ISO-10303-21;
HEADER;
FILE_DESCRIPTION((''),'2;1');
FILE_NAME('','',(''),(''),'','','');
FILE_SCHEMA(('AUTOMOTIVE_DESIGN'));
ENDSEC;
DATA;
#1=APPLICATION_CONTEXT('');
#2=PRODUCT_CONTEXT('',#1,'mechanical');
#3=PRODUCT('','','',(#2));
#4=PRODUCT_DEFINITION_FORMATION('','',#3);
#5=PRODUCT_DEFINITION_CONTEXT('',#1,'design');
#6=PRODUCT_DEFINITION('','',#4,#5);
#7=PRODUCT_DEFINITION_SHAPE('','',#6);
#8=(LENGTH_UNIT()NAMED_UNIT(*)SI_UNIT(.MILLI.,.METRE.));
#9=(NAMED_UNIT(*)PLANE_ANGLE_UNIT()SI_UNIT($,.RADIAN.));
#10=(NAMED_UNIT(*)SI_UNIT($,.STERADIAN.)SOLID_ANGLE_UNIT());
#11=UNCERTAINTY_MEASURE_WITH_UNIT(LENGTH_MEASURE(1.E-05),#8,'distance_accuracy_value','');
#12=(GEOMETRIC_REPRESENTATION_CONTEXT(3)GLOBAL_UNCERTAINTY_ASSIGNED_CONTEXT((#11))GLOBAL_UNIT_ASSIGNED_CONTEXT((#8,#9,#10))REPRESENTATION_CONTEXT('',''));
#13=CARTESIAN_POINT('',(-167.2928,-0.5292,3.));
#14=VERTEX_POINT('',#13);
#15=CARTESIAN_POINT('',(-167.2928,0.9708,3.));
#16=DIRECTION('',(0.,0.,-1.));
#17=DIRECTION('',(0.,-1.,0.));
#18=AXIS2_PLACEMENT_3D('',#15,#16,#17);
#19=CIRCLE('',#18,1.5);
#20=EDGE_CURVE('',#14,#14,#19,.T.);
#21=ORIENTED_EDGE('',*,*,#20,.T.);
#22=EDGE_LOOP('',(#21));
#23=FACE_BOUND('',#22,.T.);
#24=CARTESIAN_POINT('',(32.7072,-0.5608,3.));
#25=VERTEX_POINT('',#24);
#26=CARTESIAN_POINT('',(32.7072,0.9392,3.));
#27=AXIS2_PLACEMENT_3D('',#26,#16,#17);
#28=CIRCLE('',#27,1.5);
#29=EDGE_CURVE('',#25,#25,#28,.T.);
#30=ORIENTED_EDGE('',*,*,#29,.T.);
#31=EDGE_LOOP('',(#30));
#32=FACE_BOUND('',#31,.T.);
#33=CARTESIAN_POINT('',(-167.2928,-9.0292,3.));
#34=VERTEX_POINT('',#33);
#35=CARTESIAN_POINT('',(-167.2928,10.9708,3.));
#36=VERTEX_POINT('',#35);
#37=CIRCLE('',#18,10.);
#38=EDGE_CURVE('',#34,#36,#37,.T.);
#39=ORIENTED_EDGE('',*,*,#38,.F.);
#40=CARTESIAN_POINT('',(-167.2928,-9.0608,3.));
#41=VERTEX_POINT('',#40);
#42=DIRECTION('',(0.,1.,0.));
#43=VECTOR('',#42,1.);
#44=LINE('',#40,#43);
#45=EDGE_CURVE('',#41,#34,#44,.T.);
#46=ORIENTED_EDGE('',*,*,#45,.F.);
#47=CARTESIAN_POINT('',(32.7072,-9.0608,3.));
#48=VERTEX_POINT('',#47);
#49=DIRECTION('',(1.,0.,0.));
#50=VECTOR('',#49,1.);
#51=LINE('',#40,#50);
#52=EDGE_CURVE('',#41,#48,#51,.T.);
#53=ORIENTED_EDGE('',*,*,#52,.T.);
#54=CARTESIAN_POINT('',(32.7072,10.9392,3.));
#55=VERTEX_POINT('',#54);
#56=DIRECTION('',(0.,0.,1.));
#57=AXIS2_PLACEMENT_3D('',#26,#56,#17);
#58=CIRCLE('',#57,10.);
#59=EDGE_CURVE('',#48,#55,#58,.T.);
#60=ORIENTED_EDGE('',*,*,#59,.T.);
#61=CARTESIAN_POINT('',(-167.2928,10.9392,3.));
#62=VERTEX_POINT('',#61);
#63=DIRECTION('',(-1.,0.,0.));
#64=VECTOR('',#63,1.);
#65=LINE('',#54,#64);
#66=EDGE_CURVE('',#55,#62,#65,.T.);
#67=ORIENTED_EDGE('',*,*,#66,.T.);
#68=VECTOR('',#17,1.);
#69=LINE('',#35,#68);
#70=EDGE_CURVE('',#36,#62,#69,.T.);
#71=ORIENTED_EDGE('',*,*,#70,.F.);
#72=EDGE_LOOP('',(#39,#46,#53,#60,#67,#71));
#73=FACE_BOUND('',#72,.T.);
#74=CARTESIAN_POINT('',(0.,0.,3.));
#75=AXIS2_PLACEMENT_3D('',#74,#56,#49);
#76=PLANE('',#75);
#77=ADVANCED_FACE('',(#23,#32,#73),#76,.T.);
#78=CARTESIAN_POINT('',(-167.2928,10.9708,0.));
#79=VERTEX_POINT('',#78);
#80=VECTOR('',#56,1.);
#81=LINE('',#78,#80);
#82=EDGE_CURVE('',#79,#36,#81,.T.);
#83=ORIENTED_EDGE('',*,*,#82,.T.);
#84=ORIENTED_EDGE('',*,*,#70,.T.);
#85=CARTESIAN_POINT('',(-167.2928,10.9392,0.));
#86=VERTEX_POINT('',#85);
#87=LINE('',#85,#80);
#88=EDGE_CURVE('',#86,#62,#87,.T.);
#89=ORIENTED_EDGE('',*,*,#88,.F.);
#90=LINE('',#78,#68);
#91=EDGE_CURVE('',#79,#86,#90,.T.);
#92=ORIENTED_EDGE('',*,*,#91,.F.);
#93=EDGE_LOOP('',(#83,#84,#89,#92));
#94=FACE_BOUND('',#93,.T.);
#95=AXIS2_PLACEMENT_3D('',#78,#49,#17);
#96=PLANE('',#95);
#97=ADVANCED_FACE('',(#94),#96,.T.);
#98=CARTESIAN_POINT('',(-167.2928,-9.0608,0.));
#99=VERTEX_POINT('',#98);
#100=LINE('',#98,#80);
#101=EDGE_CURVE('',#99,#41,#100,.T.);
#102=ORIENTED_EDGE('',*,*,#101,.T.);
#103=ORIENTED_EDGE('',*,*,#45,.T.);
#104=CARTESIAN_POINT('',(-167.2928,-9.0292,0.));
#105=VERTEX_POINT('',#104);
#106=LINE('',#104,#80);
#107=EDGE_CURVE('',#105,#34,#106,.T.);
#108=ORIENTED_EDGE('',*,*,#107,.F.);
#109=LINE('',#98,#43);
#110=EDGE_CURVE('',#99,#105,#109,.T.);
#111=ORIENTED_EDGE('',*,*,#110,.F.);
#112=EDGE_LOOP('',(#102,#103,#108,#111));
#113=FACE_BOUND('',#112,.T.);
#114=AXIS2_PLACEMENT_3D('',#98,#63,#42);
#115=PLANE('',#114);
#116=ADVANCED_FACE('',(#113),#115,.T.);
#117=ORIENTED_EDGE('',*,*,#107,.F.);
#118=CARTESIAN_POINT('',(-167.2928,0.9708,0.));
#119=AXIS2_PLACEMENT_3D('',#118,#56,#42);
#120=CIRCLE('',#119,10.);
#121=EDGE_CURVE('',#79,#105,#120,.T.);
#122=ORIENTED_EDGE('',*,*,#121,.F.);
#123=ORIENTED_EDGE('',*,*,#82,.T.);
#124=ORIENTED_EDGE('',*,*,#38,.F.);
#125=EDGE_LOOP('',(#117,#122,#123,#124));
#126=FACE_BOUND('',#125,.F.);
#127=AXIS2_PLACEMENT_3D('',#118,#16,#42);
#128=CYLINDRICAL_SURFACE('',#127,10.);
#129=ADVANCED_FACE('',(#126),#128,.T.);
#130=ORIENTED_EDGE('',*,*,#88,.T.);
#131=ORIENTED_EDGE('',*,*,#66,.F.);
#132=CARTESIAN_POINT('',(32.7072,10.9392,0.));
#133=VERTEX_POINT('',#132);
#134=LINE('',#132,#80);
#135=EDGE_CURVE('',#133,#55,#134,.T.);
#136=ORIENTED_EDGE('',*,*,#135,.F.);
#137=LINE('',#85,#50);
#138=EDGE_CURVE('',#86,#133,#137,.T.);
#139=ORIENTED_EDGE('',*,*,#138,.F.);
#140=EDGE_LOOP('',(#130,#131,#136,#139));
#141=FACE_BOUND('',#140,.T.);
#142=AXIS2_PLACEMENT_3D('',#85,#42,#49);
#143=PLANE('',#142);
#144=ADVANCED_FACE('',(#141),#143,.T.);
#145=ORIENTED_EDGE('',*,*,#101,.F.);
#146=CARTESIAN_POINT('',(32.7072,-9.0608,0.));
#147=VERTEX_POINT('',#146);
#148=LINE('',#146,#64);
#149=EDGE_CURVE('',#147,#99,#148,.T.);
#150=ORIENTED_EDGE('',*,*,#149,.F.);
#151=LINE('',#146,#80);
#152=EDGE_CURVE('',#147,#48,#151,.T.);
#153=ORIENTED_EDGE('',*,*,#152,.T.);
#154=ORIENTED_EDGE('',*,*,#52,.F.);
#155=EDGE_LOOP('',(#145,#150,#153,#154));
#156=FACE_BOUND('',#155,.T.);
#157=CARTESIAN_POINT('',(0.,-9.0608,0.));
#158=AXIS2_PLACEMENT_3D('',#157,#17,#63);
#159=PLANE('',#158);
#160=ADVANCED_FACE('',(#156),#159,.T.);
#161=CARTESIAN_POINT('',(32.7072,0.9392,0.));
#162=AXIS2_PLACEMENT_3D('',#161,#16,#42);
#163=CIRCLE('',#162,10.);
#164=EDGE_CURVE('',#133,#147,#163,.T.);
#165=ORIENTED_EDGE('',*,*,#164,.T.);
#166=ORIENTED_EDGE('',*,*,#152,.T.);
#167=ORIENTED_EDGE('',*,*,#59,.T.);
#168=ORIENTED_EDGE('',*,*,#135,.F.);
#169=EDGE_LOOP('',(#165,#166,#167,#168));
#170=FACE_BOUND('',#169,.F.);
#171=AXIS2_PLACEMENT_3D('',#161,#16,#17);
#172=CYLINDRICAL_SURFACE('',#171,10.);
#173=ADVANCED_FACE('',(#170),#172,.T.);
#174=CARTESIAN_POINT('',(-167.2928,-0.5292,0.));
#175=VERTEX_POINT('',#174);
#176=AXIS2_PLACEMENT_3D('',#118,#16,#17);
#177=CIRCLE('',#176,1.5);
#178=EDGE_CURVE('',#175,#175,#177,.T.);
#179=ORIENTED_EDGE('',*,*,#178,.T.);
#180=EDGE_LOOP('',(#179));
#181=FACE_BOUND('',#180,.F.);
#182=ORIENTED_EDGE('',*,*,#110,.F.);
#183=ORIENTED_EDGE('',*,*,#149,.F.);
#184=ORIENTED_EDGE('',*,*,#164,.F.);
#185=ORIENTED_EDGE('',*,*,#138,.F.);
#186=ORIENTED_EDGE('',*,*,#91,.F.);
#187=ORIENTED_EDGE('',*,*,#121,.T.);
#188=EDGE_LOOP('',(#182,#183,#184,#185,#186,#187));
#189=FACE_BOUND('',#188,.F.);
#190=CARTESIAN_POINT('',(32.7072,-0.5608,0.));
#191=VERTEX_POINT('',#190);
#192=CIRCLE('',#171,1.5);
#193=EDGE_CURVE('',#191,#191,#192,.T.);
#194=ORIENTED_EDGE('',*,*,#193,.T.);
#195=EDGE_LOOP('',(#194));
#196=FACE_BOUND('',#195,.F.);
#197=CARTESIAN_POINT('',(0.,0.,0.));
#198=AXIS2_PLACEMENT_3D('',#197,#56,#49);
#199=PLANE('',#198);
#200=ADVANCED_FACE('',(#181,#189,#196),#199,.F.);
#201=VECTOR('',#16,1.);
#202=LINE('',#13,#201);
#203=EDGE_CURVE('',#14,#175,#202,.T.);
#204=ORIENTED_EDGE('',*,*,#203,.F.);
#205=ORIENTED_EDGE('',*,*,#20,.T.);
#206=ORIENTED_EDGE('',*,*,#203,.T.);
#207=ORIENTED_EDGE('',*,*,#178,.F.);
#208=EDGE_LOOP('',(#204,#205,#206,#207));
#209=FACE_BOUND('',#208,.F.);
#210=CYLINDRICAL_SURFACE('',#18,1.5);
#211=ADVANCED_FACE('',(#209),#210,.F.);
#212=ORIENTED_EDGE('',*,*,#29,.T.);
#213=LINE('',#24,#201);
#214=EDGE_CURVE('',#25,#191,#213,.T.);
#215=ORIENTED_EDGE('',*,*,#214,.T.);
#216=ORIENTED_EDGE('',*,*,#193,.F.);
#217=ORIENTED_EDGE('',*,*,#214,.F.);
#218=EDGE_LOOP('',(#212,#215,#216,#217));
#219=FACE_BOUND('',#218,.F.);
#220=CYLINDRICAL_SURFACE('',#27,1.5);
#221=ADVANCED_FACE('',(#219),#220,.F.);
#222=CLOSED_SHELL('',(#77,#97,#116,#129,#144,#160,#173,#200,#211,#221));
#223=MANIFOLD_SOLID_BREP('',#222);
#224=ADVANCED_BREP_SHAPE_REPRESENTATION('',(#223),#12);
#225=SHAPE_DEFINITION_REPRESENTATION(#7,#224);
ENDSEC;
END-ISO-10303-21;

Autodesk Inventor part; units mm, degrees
ref_plane "YZ Plane" through (0, 0, 0) normal (1, 0, 0) x (0, 1, 0)
ref_plane "XZ Plane" through (0, 0, 0) normal (0, 1, 0) x (-1, 0, 0)
ref_plane "XY Plane" through (0, 0, 0) normal (0, 0, 1) x (1, 0, 0)
sketch "Skizze1" plane through (0, 0, 0) normal (0, 0, 1) x (1, 0, 0)
  line L0 (-221.2928, 0) -> (86.7072, 0) projected
  line L1 (0, -13.0671) -> (0, 14.9771) projected
  line L2 (-167.2928, 10.9392) -> (32.7072, 10.9392)
  line L3 (32.7072, -9.0608) -> (-167.2928, -9.0608)
  arc A0 (-167.2928, 10.9708) -> (-167.2928, -9.0292) centre (-167.2928, 0.9708) ccw
  line L4 (-167.2928, -9.0608) -> (-167.2928, -9.0292)
  line L5 (-167.2928, 10.9708) -> (-167.2928, 10.9392)
  arc A1 (32.7072, -9.0608) -> (32.7072, 10.9392) centre (32.7072, 0.9392) ccw
  point P0 (0, 0)
  point P1 (32.7072, 10.9392)
  dimension "d3" = 10
  dimension "d5" = 10
  dimension "d6" = 20
  dimension "d7" = 200
extrude "Extrusion1" add sketch "Skizze1" along normal blind 3
sketch "Skizze2" plane through (0, 0, 3) normal (0, 0, 1) x (1, 0, 0)
  arc A0 (32.7072, -9.0608) -> (32.7072, 10.9392) centre (32.7072, 0.9392) ccw projected
  arc A1 (-167.2928, 10.9708) -> (-167.2928, -9.0292) centre (-167.2928, 0.9708) ccw projected
  point P0 (0, 0)
  dimension "d10" = 0
  dimension "d11" = 0
  dimension "d12" = 0
  dimension "d13" = 0
hole "Bohrung1" at (-167.2928, 0.9708, 3) at (32.7072, 0.9392, 3) direction (0, 0, -1) diameter 3 depth 57.1 tip angle 118
properties part number "Träger vorne unten"
